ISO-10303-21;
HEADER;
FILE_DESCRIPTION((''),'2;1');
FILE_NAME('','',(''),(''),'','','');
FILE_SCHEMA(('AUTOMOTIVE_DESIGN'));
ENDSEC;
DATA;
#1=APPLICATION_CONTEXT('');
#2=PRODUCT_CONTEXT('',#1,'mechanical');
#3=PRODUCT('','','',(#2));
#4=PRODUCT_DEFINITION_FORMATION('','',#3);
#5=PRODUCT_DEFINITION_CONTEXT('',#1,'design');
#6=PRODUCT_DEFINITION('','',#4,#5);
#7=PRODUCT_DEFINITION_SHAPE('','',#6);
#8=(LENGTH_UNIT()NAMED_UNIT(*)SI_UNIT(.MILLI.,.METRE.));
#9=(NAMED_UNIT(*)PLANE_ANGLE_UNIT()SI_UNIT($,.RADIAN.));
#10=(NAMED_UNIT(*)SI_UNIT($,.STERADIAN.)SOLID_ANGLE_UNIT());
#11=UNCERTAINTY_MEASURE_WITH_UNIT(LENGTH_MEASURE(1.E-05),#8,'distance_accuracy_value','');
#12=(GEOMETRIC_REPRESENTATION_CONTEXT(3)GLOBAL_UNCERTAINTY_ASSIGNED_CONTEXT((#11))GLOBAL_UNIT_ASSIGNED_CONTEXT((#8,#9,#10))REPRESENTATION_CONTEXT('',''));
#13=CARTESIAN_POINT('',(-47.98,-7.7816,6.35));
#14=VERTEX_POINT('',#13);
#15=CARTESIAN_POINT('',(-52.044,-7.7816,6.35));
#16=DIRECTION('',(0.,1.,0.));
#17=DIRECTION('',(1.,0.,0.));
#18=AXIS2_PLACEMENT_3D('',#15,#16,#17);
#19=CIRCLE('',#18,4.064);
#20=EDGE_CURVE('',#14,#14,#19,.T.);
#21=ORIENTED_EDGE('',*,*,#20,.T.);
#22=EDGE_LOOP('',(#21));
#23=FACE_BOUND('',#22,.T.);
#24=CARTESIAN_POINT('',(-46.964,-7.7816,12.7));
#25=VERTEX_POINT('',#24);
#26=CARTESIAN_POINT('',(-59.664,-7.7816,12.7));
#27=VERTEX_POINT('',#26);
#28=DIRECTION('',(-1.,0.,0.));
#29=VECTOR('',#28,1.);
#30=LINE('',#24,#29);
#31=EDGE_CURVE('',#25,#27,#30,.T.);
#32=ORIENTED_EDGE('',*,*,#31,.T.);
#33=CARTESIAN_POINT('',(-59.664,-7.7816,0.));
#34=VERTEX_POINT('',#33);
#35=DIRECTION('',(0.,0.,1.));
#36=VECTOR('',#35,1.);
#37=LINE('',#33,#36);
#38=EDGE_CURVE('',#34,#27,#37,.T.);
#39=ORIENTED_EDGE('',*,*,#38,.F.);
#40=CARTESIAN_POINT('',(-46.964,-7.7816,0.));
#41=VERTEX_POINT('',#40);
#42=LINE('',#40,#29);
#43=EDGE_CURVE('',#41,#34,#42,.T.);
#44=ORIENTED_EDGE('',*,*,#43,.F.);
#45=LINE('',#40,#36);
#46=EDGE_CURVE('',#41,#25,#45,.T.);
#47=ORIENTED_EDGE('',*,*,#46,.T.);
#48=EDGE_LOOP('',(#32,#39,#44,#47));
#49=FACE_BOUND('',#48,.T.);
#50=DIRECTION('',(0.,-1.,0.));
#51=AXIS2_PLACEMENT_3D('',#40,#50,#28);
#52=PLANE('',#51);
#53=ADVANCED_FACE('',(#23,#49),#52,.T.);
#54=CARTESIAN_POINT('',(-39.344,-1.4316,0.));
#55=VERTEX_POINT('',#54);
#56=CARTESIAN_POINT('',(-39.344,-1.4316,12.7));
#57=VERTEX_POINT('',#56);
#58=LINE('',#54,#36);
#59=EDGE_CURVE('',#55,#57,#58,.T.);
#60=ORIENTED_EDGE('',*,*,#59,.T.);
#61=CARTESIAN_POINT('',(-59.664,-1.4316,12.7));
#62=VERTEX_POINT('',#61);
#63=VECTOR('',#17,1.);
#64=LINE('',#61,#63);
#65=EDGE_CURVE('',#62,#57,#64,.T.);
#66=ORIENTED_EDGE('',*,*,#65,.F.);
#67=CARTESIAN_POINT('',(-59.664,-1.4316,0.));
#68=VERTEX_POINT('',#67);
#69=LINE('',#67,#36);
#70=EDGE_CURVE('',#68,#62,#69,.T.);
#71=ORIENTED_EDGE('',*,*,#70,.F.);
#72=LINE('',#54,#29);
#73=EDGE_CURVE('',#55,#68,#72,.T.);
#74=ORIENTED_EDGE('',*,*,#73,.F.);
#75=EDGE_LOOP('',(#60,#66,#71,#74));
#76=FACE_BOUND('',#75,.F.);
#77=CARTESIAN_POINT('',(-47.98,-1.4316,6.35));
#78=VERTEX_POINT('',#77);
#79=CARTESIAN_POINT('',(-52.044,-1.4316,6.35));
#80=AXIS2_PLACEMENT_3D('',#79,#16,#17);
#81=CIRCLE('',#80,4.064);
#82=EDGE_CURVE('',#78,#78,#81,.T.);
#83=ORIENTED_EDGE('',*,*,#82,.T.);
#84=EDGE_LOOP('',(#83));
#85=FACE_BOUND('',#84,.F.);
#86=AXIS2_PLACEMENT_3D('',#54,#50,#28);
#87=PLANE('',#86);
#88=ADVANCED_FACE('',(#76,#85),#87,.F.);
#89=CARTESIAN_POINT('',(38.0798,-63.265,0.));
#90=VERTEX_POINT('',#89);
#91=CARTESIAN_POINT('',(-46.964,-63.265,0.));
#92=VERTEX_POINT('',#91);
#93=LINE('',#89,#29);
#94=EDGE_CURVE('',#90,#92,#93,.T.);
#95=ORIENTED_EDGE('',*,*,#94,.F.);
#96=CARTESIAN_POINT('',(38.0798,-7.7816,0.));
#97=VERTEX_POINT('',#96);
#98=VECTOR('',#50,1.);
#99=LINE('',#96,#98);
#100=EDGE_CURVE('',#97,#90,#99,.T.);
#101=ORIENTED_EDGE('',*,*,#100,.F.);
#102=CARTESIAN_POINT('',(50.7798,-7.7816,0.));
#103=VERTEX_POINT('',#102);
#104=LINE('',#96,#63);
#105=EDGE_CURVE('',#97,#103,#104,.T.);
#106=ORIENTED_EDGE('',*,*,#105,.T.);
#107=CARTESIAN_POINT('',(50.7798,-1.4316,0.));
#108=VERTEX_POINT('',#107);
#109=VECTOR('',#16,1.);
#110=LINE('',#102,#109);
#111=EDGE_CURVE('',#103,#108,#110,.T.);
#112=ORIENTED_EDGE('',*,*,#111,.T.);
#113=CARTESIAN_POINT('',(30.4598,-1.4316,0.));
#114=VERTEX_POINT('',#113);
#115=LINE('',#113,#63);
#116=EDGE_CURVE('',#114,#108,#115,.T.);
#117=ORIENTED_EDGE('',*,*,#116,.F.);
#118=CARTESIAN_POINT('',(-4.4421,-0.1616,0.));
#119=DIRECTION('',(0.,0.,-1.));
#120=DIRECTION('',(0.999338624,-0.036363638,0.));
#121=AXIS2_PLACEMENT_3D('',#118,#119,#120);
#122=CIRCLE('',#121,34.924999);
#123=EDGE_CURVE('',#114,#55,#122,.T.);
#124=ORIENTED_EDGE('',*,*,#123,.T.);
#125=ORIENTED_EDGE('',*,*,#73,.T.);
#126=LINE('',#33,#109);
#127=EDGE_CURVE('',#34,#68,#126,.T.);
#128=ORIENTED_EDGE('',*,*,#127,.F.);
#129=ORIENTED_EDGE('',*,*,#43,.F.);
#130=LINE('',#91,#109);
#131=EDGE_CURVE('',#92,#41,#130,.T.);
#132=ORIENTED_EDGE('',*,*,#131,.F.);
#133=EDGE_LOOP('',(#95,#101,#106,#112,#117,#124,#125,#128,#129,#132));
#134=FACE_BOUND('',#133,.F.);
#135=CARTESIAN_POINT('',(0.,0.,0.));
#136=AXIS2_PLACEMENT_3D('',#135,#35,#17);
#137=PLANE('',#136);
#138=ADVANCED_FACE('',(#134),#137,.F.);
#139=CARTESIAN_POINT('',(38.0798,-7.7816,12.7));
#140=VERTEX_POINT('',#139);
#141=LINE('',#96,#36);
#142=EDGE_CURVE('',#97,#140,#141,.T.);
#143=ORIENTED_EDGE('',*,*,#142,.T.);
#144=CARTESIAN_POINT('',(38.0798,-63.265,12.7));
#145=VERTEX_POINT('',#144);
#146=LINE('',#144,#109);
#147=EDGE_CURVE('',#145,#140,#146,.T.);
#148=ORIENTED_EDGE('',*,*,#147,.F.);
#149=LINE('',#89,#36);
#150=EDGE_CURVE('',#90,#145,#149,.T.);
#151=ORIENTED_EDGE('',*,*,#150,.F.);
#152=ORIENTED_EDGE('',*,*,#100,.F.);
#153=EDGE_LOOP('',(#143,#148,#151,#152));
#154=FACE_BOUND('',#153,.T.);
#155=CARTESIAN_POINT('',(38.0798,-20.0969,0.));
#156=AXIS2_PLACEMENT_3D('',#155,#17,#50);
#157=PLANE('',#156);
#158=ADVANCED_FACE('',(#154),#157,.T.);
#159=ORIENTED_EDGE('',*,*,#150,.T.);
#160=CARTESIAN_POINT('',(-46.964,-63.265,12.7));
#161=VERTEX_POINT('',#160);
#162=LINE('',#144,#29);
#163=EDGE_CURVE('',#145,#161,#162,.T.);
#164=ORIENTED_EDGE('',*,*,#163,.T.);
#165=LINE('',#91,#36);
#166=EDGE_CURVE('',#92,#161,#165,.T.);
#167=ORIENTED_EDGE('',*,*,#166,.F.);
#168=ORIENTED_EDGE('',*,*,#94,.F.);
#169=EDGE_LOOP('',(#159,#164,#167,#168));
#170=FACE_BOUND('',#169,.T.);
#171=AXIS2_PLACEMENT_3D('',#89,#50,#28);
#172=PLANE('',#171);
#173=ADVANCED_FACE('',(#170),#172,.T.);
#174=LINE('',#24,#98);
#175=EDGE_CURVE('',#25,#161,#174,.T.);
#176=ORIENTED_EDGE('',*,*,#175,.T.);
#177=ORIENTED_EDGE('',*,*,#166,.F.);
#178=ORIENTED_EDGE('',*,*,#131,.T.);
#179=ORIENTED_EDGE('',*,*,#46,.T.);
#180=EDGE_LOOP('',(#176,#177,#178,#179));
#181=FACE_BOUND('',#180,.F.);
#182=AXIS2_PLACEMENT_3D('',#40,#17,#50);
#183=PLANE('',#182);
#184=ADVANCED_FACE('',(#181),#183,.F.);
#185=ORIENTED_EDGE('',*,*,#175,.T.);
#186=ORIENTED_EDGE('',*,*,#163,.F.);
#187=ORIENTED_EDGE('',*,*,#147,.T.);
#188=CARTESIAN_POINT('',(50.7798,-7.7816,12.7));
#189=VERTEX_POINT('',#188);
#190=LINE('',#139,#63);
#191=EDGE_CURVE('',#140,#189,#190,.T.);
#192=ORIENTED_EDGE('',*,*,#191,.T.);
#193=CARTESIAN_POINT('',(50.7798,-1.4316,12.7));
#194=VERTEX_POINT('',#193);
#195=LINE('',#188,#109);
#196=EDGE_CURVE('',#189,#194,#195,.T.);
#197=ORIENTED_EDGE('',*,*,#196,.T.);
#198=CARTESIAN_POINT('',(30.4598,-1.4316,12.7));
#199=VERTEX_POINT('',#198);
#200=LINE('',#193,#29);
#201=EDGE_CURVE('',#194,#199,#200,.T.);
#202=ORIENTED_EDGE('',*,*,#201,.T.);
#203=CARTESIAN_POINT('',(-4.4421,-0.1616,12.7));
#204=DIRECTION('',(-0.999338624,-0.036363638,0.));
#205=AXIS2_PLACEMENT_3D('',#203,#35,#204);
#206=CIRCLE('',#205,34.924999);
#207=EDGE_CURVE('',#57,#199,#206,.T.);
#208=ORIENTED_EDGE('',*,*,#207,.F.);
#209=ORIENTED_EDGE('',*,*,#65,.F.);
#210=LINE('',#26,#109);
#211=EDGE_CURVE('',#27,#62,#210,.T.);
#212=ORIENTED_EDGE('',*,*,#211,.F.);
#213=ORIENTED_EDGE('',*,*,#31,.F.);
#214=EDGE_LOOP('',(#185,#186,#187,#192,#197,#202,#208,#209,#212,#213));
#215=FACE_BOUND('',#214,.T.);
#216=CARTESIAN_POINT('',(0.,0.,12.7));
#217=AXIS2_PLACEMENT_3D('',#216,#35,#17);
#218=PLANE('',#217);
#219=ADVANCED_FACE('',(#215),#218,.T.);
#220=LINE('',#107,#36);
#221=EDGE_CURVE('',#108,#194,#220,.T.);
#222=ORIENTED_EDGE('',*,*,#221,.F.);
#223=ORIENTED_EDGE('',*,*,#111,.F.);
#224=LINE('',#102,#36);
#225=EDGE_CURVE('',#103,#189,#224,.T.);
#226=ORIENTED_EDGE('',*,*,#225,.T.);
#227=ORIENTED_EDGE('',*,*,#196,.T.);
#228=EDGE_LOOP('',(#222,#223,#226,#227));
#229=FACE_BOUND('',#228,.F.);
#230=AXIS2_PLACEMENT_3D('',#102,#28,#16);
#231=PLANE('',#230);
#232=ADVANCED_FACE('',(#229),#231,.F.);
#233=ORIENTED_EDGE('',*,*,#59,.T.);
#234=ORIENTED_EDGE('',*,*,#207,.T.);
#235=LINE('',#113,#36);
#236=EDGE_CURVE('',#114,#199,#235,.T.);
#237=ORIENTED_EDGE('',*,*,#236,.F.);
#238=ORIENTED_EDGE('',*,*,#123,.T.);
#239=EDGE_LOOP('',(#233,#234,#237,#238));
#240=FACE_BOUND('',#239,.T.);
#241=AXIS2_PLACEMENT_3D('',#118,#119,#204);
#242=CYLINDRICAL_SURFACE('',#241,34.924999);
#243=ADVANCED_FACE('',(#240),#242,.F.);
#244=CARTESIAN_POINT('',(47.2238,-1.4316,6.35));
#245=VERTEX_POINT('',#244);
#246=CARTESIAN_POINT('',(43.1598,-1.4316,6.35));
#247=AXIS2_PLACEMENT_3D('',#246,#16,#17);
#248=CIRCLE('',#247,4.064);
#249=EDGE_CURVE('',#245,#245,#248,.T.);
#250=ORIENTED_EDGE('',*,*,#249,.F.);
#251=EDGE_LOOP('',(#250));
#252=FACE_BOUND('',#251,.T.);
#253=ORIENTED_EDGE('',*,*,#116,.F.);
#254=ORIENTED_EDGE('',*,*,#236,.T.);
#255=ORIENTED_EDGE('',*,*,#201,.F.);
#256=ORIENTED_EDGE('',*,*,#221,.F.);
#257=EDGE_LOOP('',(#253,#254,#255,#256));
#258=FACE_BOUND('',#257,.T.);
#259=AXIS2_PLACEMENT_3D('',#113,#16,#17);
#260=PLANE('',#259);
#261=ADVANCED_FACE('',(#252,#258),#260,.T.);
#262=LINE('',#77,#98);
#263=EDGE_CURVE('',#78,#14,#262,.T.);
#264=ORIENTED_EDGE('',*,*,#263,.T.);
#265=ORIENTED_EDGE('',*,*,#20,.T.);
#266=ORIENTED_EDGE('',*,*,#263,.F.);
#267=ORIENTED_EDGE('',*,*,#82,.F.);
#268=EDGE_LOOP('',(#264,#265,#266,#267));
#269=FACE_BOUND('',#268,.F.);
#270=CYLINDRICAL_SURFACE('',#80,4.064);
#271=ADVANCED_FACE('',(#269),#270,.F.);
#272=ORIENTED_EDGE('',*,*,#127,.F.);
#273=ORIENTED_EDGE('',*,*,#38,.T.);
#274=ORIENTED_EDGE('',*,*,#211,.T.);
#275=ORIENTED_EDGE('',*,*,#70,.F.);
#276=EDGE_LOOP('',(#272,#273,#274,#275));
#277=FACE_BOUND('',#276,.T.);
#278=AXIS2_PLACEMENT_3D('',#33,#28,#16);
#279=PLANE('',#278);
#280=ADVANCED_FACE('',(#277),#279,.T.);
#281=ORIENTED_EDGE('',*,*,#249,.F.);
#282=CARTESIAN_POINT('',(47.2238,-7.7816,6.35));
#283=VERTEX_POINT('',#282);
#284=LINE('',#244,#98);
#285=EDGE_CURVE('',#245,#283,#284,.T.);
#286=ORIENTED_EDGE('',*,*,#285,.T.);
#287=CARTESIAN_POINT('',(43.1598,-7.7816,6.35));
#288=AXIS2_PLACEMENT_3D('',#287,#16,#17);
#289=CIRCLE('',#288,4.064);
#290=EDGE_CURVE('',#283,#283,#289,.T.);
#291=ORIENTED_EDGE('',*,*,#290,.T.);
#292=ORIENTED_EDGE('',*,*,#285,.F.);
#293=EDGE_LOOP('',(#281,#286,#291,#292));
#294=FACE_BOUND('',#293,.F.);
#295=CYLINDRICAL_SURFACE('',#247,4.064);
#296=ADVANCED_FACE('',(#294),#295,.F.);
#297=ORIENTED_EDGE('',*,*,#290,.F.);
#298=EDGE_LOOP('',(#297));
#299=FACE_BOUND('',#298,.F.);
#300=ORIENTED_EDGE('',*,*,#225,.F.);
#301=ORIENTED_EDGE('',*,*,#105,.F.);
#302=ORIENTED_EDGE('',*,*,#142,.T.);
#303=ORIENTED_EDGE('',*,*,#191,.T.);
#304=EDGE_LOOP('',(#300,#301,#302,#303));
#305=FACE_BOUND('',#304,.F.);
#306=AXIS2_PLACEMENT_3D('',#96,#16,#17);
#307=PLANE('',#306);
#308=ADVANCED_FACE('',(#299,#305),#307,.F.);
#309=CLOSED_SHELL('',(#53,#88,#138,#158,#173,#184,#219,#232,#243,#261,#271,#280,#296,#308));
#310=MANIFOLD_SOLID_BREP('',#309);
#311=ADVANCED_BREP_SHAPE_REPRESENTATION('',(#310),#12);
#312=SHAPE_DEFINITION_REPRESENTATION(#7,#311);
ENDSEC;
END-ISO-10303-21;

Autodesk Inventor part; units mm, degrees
ref_plane "YZ Plane" through (0, 0, 0) normal (1, 0, 0) x (0, 1, 0)
ref_plane "XZ Plane" through (0, 0, 0) normal (0, 1, 0) x (-1, 0, 0)
ref_plane "XY Plane" through (0, 0, 0) normal (0, 0, 1) x (1, 0, 0)
sketch "Sketch1" plane through (0, 0, 0) normal (0, 0, 1) x (1, 0, 0)
  line L0 (-39.344, -1.4316) -> (-39.3671, -1.4316)
  line L1 (-39.344, -1.4316) -> (-52.044, -1.4316)
  line L2 (-39.344, -1.4316) -> (-45.694, -1.4316)
  line L3 (-39.344, -1.4316) -> (-46.964, -1.4316)
  line L4 (-46.964, -1.4316) -> (-46.964, -22.4724)
  line L5 (-46.964, -7.7816) -> (-59.664, -7.7816)
  line L6 (-59.664, -7.7816) -> (-59.664, -1.4316)
  arc A0 (-39.344, -1.4316) -> (30.4598, -1.4316) centre (-4.4421, -0.1616) ccw
  line L7 (30.4598, -1.4316) -> (43.1598, -1.4316)
  arc A1 (-46.964, -22.4724) -> (38.0798, -22.4724) centre (-4.4421, -0.1616) ccw
  line L8 (30.4598, -1.4316) -> (38.0798, -1.4316)
  line L9 (38.0798, -1.4316) -> (38.0798, -22.4724)
  line L10 (38.0798, -7.7816) -> (50.7798, -7.7816)
  line L11 (50.7798, -7.7816) -> (50.7798, -1.4316)
  line L12 (43.1598, -1.4316) -> (50.7798, -1.4316)
  line L13 (-52.044, -1.4316) -> (-59.664, -1.4316)
  line L14 (-46.964, -42.5386) -> (-46.964, -22.4724)
  line L15 (-46.964, -63.265) -> (-46.964, -42.5386)
  line L16 (-46.964, -22.4724) -> (-31.3118, -22.4724)
  line L17 (24.2345, -20.0969) -> (38.1472, -20.0969)
  line L18 (38.0798, -22.4724) -> (38.0798, -63.265)
  line L19 (38.0798, -63.265) -> (-46.964, -63.265)
  point P0 (0, 0)
  point P1 (0, 0)
  dimension "d0" = 69.85
  dimension "d1" = 12.7
  dimension "d2" = 12.7
  dimension "d3" = 7.62
  dimension "d4" = 7.62
  dimension "d5" = 7.62
  dimension "d6" = 7.62
  dimension "d7" = 6.35
  dimension "d8" = 6.35
  dimension "d17" = 61.8334
extrude "Extrusion1" add sketch "Sketch1" along normal blind 12.7
sketch "Sketch2" plane through (-59.664, -1.4316, 0) normal (0, 1, 0) x (1, 0, 0)
  circle A0 centre (7.62, -6.35) radius 4.064
  circle A1 centre (102.8238, -6.35) radius 4.064
  line L0 (90.1238, 0) -> (90.1238, -12.7) projected
  line L1 (20.32, 0) -> (20.32, -12.7) projected
  point P0 (59.664, 0)
  dimension "d11" = 12.7
  dimension "d12" = 12.7
  dimension "d13" = 8.128
  dimension "d14" = 8.128
extrude "Extrusion2" cut sketch "Sketch2" against normal blind 25.4
properties part number "REAL MOTOR MOUNT 2.75 TOP"
